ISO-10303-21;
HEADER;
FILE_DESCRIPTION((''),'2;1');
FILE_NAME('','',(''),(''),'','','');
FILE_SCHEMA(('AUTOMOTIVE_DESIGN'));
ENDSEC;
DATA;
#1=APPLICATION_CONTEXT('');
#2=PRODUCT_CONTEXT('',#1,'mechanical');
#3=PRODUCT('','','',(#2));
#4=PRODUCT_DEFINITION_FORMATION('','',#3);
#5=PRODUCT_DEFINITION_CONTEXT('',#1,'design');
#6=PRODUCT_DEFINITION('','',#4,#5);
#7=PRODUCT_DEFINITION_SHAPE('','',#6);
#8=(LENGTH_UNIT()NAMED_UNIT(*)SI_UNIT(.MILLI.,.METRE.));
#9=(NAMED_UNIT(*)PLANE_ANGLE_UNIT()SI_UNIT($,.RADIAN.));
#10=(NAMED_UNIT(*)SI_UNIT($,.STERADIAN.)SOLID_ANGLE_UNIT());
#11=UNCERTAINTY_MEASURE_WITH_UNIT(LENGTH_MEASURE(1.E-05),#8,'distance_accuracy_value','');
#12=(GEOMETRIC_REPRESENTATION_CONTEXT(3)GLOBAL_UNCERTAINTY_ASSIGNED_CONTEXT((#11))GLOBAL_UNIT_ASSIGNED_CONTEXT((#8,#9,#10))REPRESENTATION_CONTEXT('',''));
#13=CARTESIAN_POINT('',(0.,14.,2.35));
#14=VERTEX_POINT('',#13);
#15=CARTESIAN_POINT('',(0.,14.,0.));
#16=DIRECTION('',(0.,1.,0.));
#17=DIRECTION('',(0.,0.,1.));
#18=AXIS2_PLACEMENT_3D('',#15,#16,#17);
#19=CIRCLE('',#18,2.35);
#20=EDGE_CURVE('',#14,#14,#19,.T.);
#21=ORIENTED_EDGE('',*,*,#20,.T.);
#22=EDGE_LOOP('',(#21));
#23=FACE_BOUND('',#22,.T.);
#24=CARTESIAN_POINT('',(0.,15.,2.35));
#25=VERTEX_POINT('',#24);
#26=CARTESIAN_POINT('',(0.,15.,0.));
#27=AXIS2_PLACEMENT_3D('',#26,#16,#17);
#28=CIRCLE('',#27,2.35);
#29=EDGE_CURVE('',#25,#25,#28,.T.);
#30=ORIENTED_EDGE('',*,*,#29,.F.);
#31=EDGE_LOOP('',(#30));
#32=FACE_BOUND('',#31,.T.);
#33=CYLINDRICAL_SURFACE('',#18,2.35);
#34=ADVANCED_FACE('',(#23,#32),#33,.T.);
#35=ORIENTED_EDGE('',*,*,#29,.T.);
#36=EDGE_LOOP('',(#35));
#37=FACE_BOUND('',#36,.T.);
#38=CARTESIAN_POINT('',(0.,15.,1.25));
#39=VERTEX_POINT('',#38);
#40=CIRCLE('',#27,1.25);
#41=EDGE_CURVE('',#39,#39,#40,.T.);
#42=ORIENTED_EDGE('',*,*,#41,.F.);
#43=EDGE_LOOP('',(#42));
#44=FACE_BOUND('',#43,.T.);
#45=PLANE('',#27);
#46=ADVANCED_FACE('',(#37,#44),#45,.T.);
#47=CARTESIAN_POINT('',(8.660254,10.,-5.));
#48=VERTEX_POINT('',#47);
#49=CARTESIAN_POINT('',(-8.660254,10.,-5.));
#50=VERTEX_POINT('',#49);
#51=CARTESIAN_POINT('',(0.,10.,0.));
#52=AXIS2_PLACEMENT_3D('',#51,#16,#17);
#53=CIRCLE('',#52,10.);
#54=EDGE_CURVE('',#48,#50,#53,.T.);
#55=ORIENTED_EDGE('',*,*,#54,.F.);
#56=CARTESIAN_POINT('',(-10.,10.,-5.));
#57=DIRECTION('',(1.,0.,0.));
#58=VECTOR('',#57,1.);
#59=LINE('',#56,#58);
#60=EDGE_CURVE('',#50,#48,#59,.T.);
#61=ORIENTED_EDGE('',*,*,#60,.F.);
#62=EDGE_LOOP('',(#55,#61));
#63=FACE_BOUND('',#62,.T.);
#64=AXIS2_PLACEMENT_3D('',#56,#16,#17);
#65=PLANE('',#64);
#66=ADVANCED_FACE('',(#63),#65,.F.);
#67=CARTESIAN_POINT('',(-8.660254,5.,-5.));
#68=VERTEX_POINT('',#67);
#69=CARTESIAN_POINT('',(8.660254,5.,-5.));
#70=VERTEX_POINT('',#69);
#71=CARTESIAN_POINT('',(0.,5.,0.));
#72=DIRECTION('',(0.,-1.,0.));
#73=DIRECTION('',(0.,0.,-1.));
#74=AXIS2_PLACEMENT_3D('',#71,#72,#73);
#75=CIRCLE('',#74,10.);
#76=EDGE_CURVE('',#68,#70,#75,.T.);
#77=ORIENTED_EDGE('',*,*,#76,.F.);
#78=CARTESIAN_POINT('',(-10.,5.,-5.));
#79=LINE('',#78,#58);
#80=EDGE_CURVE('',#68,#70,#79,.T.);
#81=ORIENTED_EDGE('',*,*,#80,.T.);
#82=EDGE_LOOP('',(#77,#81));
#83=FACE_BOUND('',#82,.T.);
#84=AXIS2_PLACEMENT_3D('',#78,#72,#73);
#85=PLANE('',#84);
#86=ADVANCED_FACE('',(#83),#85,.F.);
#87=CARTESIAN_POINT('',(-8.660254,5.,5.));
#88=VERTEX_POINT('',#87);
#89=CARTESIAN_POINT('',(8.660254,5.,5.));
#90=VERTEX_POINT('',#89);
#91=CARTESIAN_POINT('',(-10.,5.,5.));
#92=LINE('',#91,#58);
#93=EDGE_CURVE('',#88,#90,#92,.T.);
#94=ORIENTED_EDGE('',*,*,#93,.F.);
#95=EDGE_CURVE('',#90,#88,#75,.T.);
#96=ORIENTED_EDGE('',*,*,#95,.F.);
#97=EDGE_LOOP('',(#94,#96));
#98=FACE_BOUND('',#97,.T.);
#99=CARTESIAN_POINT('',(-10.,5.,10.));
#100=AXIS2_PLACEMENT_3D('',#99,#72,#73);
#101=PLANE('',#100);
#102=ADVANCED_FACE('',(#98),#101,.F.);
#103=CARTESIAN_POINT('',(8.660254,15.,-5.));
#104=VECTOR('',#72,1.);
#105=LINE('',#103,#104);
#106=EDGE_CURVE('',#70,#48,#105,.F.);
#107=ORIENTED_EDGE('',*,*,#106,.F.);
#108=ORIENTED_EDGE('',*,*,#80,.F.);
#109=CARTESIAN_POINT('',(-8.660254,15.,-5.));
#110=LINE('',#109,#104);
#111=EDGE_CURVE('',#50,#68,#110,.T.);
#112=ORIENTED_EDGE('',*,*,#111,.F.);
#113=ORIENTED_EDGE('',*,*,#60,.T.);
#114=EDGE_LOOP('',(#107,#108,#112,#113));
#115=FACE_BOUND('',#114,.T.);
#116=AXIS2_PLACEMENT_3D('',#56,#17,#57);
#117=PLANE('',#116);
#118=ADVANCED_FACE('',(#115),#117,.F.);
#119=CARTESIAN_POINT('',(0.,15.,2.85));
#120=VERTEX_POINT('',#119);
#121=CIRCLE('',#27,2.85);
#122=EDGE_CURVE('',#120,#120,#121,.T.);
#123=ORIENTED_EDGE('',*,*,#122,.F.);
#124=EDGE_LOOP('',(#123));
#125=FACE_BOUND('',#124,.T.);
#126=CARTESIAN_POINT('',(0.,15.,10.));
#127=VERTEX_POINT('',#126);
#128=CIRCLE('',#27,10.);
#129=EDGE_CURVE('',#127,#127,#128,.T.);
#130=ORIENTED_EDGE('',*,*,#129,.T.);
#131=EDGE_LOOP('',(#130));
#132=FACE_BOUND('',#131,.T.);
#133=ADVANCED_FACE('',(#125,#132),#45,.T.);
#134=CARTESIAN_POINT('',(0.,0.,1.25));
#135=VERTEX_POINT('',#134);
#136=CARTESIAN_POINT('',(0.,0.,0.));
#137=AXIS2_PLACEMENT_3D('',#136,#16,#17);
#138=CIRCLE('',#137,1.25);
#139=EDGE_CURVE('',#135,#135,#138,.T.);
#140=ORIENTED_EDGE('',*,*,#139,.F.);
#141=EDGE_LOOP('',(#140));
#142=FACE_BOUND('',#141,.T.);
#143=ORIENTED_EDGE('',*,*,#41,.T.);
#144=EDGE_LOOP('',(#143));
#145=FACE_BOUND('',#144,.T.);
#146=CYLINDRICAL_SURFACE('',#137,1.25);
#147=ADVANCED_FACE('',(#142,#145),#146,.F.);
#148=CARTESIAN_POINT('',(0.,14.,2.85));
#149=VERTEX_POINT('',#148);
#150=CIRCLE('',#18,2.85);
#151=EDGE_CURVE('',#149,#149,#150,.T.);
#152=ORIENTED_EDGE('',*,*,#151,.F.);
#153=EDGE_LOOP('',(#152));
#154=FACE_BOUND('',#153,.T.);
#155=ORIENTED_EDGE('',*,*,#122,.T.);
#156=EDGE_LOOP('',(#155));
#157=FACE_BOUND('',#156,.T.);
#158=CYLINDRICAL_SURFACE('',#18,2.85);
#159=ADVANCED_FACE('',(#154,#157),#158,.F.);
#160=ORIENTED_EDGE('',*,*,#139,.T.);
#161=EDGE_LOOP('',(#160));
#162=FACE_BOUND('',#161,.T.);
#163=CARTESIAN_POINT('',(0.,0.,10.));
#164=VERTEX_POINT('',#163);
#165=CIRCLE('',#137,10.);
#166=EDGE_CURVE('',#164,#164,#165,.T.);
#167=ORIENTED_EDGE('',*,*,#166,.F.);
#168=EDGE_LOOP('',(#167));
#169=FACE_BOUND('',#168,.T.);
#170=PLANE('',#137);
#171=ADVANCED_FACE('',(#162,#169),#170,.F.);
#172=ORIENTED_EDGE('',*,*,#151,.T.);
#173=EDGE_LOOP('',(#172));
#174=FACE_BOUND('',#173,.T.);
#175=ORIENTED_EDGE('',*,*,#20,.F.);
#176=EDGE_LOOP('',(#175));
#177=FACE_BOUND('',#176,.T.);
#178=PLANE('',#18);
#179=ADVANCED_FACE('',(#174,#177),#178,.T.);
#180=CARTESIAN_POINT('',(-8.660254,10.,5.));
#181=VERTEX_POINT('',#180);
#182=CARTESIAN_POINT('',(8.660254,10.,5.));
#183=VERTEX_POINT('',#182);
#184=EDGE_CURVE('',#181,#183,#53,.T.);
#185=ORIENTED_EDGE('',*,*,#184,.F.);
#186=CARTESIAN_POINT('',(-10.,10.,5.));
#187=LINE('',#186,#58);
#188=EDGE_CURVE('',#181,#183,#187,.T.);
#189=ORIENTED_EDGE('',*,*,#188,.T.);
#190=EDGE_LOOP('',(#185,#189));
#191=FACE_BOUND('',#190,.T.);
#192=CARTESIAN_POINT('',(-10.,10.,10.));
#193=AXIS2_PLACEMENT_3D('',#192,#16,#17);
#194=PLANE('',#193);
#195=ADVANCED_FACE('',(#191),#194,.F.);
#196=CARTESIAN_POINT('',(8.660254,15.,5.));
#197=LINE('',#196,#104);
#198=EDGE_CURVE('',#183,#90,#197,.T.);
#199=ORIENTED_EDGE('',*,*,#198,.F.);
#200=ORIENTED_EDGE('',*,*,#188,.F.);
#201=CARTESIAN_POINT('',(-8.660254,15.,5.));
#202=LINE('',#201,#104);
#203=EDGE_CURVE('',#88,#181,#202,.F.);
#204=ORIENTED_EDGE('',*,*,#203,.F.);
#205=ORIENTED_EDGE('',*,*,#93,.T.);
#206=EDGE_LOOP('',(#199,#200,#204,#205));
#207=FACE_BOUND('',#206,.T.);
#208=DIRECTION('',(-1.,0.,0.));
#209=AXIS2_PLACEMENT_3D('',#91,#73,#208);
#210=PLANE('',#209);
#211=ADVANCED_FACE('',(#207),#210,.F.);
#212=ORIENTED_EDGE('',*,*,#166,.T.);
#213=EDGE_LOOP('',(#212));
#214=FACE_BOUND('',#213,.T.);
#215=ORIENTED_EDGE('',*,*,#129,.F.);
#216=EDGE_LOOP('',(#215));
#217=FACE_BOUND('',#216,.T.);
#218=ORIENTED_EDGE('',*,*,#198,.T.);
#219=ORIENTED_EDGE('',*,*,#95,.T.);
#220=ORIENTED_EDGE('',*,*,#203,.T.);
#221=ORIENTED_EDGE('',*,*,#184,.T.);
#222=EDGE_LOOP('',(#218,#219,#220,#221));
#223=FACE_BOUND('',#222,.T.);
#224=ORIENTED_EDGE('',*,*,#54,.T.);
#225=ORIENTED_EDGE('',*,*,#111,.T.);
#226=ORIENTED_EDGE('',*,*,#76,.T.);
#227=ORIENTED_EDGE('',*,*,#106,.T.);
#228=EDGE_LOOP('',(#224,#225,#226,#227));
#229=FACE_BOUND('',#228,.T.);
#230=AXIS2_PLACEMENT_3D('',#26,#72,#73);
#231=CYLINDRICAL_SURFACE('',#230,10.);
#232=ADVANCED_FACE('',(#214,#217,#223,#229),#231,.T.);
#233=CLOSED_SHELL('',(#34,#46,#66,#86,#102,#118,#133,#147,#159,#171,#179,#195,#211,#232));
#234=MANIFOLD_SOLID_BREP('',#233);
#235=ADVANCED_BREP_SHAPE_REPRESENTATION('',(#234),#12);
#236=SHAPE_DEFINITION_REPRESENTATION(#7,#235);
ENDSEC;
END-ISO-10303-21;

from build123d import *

# Parameters (mm, degrees)
ESQUISSE1_R                  = 10
BOSS_EXTRU_1_DEPTH           = 15
ESQUISSE2_R                  = 2.85
ESQUISSE2_R_2                = 2.35
ENL_V_MAT_EXTRU_1_DEPTH      = 1
ESQUISSE3_R                  = 1.25
ENL_V_MAT_EXTRU_2_DEPTH      = 16
ESQUISSE4_W                  = 5
ESQUISSE4_H                  = 5
ENL_V_MAT_EXTRU_3_DEPTH      = 11
ENL_V_MAT_EXTRU_3_DEPTH_BACK = 11


with BuildPart() as part:
    # Esquisse1 → Boss.-Extru.1 (new body)
    with BuildSketch(Plane(origin=(0, 0, 0), x_dir=(1, 0, 0), z_dir=(0, 1, 0))):
        Circle(ESQUISSE1_R)
    extrude(amount=BOSS_EXTRU_1_DEPTH)

    # Esquisse2 → Enlèv. mat.-Extru.1 (cut)
    with BuildSketch(Plane(origin=(0, 15, 0), x_dir=(1, 0, 0), z_dir=(0, 1, 0))):
        Circle(ESQUISSE2_R)
        Circle(ESQUISSE2_R_2, mode=Mode.SUBTRACT)
    extrude(amount=-ENL_V_MAT_EXTRU_1_DEPTH, mode=Mode.SUBTRACT)

    # Esquisse3 → Enlèv. mat.-Extru.2 (cut, through all)
    with BuildSketch(Plane(origin=(0, 15, 0), x_dir=(1, 0, 0), z_dir=(0, 1, 0))):
        Circle(ESQUISSE3_R)
    extrude(amount=-ENL_V_MAT_EXTRU_2_DEPTH, mode=Mode.SUBTRACT)

    # Esquisse4 → Enlèv. mat.-Extru.3 (cut, two sides)
    with BuildSketch(Plane(origin=(0, 0, 0), x_dir=(0, 0, -1), z_dir=(1, 0, 0))) as enl_v_mat_extru_3_sk:
        with Locations((-7.5, 7.5)):
            Rectangle(ESQUISSE4_W, ESQUISSE4_H)
        with Locations((7.5, 7.5)):
            Rectangle(ESQUISSE4_W, ESQUISSE4_H)
    extrude(amount=ENL_V_MAT_EXTRU_3_DEPTH, mode=Mode.SUBTRACT)
    extrude(enl_v_mat_extru_3_sk.sketch, amount=-ENL_V_MAT_EXTRU_3_DEPTH_BACK, mode=Mode.SUBTRACT)


solid = part.part
